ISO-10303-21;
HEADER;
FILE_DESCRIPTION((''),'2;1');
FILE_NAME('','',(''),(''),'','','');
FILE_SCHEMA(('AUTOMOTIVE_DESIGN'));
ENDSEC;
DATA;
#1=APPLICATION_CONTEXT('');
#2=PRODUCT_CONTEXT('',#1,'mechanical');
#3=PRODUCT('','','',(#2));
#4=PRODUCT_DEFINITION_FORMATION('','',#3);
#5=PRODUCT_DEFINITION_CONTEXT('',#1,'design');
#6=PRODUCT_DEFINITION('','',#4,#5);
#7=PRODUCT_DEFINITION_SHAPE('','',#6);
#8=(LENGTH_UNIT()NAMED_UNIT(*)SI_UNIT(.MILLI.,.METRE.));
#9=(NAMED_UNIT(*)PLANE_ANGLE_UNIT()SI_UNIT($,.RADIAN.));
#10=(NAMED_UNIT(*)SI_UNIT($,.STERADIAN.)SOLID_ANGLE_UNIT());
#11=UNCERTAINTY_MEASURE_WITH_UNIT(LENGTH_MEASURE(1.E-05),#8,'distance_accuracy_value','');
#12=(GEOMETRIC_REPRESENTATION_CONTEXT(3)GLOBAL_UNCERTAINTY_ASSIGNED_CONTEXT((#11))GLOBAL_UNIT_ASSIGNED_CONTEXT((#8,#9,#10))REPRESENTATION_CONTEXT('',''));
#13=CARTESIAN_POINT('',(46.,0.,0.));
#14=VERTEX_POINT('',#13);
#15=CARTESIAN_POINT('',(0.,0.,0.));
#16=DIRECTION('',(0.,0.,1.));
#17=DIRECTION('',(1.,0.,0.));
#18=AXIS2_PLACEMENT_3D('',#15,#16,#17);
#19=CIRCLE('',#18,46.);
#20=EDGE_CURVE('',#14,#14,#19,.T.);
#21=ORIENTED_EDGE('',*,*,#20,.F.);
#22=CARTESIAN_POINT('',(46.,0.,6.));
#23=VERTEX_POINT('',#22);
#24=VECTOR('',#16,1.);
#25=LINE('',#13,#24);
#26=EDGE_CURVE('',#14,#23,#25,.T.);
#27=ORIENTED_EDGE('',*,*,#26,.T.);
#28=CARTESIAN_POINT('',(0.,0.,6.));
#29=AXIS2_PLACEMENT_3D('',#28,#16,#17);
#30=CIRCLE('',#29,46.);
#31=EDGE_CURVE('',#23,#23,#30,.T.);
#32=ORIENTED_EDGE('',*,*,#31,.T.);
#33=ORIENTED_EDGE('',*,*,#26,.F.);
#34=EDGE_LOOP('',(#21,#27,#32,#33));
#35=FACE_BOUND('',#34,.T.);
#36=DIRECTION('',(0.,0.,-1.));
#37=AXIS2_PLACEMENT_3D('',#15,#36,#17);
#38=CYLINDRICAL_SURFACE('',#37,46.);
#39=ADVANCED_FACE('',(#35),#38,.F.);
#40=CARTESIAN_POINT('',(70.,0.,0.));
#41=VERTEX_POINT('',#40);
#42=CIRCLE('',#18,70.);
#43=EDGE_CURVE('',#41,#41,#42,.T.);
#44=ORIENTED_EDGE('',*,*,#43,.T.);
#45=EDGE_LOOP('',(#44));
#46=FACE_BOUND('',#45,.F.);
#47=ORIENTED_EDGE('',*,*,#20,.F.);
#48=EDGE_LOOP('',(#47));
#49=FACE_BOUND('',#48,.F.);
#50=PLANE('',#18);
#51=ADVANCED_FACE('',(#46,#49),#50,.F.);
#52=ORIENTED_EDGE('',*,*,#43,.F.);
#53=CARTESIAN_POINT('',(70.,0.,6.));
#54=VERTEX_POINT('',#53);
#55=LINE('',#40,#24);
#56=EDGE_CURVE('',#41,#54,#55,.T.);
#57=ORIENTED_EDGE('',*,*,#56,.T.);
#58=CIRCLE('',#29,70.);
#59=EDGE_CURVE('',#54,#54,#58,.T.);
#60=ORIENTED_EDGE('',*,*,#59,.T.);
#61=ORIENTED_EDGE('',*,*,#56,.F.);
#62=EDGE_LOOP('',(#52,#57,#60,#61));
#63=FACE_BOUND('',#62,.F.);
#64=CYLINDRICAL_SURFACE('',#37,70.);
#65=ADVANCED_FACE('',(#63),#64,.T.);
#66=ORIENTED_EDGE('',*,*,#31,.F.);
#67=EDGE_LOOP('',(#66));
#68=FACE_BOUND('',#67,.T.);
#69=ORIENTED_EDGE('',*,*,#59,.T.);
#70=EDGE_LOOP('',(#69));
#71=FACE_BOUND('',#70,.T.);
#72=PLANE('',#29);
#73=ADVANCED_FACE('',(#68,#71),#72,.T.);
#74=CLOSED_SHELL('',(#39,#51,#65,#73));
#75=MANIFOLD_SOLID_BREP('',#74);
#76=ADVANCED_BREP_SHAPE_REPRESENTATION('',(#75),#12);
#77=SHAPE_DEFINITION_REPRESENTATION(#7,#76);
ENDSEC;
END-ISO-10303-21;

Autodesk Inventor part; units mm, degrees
ref_plane "YZ Plane" through (0, 0, 0) normal (1, 0, 0) x (0, 1, 0)
ref_plane "XZ Plane" through (0, 0, 0) normal (0, 1, 0) x (-1, 0, 0)
ref_plane "XY Plane" through (0, 0, 0) normal (0, 0, 1) x (1, 0, 0)
sketch "Sketch2" plane through (0, 0, 0) normal (0, 0, 1) x (1, 0, 0)
  circle A0 centre (0, 0) radius 46
  circle A1 centre (0, 0) radius 70
  dimension "d25" = 92
  dimension "d27" = 140
extrude "Plate2" add sketch "Sketch2" along normal blind 6
equation "\"d14\" = Thickness"
equation "\"BendReliefWidth\" = Thickness"
equation "\"BendReliefDepth\" = 0.5 * Thickness"
equation "\"CornerReliefSize\" = 4 * Thickness"
equation "\"MinimumRemnant\" = 2 * Thickness"
equation "\"TransitionRadius\" = BendRadius"
equation "\"JacobiRadiusSize\" = BendRadius"
equation "\"GapSize\" = Thickness"
equation "\"Thickness\" = 6"
equation "\"BendRadius\" = 6"
properties part number "PRS 9432 FDS free flange DN90_1200" material "Steel"
